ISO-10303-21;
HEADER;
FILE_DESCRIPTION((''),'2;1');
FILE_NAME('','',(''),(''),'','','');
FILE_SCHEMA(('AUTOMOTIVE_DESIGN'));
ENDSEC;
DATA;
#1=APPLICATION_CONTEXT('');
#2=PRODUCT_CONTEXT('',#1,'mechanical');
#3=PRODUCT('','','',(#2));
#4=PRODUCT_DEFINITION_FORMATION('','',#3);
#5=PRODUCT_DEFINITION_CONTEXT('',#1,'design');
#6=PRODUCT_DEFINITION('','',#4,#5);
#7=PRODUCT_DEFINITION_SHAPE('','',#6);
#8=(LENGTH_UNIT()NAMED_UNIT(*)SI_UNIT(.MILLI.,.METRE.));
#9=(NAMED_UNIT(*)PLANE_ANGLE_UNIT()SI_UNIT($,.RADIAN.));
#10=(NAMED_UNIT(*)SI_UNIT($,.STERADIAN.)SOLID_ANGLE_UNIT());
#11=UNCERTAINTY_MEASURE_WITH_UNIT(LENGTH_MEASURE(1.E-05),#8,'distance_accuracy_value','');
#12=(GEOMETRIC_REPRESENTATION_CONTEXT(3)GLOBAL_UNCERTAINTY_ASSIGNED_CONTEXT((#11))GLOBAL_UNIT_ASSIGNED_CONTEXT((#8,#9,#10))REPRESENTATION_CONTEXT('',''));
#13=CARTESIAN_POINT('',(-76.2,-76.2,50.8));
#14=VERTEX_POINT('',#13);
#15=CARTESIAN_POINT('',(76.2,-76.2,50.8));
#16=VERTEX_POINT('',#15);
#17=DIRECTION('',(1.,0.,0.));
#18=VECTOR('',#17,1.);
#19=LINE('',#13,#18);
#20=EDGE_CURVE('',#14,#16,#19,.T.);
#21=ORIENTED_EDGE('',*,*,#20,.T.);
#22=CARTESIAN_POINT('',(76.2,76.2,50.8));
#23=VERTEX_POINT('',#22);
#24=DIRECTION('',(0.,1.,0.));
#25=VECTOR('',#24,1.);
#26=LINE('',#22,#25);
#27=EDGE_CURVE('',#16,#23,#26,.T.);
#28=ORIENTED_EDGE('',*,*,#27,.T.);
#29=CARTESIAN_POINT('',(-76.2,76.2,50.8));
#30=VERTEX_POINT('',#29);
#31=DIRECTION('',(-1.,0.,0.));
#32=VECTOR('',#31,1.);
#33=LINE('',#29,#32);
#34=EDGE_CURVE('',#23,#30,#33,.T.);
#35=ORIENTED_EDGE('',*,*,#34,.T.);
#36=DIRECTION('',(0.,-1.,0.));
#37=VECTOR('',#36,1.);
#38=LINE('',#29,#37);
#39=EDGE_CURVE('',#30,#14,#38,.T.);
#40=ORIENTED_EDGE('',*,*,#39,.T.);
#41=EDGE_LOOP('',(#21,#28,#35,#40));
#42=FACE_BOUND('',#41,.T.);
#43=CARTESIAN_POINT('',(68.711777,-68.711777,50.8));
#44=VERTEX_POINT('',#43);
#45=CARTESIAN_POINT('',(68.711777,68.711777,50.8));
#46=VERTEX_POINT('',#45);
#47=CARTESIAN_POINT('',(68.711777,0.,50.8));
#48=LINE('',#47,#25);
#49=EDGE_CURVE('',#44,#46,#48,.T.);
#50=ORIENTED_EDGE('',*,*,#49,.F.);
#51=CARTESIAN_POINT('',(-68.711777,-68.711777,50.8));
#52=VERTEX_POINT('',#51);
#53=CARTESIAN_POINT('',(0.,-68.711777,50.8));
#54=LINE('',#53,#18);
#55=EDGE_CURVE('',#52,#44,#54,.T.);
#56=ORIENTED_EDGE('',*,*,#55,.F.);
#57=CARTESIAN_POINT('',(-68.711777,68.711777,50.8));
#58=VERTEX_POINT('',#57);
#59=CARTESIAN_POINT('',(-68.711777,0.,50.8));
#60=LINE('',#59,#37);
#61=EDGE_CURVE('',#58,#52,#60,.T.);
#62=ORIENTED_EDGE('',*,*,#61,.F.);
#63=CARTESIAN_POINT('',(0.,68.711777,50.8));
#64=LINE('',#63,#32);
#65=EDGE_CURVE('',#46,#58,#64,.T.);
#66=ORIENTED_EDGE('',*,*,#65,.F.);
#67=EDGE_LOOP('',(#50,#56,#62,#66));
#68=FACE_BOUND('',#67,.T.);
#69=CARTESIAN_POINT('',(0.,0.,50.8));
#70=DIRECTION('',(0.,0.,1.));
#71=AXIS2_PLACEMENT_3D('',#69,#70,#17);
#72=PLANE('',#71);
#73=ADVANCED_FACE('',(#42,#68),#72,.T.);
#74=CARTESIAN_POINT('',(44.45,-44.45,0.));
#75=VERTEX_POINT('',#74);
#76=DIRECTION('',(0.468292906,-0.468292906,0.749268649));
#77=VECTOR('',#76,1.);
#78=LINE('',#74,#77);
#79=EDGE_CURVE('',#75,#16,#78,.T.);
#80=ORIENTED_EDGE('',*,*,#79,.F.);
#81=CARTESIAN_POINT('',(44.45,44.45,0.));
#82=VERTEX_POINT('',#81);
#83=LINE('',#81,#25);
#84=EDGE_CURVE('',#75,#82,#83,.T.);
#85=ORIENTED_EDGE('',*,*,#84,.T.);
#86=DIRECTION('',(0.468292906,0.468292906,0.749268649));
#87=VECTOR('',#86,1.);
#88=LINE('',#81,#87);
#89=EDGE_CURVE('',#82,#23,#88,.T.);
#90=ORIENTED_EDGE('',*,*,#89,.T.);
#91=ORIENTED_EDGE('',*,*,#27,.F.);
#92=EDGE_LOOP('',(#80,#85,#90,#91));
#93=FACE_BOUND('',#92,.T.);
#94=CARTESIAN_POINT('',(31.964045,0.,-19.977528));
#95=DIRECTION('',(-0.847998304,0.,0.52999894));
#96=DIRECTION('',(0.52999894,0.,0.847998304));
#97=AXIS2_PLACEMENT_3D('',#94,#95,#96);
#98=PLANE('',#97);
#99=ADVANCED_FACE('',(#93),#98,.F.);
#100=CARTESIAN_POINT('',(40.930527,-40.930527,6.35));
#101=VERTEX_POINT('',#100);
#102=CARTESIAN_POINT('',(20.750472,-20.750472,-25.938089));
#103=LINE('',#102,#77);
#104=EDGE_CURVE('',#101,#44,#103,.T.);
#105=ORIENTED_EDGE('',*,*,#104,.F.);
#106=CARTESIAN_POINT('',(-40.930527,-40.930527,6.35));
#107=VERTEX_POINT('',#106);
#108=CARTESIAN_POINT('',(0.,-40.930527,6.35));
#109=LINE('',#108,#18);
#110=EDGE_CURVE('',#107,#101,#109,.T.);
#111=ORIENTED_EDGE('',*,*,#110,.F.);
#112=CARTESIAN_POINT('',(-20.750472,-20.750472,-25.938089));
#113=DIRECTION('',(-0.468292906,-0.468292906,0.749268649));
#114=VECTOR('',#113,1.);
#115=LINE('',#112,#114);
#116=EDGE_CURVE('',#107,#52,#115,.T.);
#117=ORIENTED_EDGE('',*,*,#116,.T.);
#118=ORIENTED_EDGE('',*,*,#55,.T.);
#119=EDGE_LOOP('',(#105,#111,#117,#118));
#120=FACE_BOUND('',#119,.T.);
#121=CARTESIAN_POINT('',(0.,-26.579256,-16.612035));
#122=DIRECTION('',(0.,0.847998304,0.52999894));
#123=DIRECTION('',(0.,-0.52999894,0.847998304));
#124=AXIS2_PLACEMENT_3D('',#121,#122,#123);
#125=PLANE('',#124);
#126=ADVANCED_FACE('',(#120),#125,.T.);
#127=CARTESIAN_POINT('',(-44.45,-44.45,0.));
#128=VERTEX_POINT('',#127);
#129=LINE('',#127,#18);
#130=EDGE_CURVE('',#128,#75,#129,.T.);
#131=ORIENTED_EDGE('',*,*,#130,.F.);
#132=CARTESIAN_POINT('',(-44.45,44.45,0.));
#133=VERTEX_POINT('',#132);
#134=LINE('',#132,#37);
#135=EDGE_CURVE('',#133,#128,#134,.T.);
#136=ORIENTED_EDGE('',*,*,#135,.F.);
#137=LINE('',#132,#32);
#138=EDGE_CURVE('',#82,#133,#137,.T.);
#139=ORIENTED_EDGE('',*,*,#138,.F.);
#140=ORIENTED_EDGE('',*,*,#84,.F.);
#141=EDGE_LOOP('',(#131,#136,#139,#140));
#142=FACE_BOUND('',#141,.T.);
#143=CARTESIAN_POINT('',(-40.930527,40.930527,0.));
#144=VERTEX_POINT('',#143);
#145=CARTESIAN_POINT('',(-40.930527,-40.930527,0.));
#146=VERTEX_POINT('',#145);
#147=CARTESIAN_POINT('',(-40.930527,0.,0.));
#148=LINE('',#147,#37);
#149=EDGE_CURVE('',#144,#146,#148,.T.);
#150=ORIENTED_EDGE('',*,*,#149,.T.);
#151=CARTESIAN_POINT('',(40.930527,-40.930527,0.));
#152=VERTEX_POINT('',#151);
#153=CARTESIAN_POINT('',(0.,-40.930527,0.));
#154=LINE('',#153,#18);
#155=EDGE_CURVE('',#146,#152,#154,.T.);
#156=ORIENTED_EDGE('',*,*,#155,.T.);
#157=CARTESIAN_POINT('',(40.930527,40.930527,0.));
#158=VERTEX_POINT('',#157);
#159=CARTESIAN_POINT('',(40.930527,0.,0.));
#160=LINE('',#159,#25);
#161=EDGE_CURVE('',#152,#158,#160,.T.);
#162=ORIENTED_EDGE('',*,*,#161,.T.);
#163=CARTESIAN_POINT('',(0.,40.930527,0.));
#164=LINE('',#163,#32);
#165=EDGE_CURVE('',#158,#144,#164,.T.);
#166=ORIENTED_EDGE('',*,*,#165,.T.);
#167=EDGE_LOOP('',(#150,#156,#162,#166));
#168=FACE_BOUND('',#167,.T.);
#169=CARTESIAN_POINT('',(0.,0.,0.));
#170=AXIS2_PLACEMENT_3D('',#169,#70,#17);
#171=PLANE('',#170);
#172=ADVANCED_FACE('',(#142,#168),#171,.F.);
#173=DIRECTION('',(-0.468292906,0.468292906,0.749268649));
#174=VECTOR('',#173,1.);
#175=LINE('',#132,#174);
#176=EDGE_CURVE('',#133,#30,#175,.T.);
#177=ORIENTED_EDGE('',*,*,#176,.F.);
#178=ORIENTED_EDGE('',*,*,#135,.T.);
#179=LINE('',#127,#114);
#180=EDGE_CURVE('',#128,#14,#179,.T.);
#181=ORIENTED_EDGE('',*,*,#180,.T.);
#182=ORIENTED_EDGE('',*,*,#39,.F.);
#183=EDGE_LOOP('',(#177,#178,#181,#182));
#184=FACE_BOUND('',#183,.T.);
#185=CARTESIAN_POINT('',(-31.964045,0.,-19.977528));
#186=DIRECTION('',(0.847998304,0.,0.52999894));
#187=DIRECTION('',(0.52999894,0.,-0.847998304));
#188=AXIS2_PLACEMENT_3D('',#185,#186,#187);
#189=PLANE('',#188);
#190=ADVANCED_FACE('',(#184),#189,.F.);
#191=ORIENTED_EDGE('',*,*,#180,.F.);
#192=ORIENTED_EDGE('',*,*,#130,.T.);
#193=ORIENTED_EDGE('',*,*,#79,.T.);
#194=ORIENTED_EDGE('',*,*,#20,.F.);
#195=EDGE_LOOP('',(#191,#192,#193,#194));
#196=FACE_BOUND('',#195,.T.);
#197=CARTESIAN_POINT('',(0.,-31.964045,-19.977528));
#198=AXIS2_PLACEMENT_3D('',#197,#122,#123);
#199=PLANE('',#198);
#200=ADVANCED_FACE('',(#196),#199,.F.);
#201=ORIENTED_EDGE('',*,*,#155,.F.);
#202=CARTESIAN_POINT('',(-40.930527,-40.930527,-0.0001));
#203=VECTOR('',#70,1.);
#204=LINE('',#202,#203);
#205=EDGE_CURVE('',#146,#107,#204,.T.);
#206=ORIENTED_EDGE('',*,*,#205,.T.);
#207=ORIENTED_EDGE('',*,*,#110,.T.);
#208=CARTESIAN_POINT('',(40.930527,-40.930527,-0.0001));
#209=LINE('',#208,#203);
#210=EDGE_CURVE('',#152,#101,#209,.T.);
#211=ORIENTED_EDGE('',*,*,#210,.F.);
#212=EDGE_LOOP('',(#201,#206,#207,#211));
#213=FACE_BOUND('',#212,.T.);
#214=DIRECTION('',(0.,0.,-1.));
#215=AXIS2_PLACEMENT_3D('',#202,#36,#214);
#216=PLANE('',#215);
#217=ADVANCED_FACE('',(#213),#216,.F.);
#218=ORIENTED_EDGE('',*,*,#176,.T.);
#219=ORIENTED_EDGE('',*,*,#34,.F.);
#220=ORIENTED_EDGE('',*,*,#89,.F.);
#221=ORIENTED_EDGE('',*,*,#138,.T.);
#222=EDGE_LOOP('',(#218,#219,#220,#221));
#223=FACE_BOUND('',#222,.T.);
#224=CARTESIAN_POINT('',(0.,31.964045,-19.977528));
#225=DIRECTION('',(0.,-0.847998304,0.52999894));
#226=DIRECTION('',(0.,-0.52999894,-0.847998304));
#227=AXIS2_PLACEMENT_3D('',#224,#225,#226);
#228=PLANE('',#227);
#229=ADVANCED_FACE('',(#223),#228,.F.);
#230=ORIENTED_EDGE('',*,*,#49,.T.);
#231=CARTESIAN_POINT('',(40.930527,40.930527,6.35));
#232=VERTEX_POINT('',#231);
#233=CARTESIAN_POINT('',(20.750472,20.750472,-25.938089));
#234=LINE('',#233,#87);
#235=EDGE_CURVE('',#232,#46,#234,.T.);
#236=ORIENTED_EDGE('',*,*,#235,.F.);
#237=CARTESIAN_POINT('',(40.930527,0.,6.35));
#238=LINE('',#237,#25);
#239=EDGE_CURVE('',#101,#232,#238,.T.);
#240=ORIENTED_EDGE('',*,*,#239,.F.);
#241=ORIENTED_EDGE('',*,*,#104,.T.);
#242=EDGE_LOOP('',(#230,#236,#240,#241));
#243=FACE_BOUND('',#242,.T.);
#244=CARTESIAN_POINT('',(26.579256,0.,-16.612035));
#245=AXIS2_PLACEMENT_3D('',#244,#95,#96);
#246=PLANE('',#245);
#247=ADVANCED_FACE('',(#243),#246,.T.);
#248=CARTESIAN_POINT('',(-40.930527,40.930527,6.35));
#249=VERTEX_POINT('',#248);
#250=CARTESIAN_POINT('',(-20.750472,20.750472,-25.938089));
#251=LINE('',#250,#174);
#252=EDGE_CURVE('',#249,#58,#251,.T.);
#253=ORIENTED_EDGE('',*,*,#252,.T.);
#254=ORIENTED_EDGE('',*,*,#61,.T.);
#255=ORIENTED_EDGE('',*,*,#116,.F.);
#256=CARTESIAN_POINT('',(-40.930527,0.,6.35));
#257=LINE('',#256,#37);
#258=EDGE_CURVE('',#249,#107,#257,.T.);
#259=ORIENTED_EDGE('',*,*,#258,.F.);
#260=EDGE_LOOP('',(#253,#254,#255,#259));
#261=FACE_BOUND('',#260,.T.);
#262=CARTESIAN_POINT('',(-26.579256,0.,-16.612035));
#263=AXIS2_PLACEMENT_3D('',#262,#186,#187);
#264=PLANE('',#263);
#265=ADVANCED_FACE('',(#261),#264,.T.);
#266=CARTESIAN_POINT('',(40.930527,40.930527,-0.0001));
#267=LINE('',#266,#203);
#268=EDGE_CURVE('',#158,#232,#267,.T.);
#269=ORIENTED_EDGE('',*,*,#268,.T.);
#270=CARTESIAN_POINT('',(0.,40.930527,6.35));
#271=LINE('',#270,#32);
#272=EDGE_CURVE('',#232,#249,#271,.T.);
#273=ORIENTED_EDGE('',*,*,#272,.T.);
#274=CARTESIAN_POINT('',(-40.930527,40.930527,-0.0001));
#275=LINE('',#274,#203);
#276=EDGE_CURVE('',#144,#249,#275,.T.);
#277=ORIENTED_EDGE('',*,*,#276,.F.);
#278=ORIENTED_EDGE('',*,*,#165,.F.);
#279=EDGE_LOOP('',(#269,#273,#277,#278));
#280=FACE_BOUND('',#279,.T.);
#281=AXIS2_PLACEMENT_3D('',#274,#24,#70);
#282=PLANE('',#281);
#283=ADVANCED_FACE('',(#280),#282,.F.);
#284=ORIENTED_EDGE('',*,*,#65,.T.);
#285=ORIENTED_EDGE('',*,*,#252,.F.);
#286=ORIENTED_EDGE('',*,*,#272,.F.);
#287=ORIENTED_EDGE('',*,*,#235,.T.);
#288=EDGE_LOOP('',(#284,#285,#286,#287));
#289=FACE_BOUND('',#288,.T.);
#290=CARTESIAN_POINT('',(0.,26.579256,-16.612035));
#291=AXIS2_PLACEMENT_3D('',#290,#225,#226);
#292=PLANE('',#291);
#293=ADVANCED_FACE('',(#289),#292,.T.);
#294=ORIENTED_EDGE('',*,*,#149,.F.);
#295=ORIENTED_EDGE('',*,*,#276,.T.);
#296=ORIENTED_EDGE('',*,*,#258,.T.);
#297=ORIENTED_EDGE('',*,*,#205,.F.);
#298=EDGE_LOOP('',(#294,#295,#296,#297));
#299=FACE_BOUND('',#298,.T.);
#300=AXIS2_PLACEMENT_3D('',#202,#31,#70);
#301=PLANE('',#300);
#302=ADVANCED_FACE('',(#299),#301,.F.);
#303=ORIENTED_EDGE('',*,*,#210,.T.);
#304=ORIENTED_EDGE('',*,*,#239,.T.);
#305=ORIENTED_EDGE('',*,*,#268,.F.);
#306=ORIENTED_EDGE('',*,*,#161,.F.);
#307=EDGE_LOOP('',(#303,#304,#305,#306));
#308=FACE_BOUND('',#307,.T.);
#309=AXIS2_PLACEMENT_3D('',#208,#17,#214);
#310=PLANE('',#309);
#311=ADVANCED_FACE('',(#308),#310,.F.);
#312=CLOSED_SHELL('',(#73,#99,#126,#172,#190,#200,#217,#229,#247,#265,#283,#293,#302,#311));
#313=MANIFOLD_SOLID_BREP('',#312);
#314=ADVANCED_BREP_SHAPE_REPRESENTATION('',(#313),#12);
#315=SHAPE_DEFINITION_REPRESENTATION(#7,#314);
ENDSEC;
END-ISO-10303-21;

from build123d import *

# Parameters (mm, degrees)
SHELL1_T           = -6.35
SKETCH4_W          = 81.861054952
SKETCH4_H          = 81.861054952
CUT_EXTRUDE1_DEPTH = 117.570504586


with BuildPart() as part:
    # Sketch1 → Loft1 section 0
    with BuildSketch(Plane.XY):
        with BuildLine():
            Line((-44.45, 44.45), (44.45, 44.45))
            Line((44.45, 44.45), (44.45, -44.45))
            Line((44.45, -44.45), (-44.45, -44.45))
            Line((-44.45, -44.45), (-44.45, 44.45))
        make_face()
    # Sketch2 → Loft1 section 1
    with BuildSketch(Plane.XY.offset(50.8)):
        with BuildLine():
            Line((-76.2, 76.2), (76.2, 76.2))
            Line((76.2, 76.2), (76.2, -76.2))
            Line((76.2, -76.2), (-76.2, -76.2))
            Line((-76.2, -76.2), (-76.2, 76.2))
        make_face()
    loft()

    # Shell1
    shell1_openings = [part.faces().sort_by_distance(p)[0] for p in [
        (0, 0, 50.8),
    ]]
    offset(amount=SHELL1_T, openings=shell1_openings, kind=Kind.INTERSECTION)

    # Sketch4 → Cut-Extrude1 (cut, through all)
    with BuildSketch(Plane.XY.offset(6.35)):
        Rectangle(SKETCH4_W, SKETCH4_H)
    extrude(amount=-CUT_EXTRUDE1_DEPTH, mode=Mode.SUBTRACT)


solid = part.part
